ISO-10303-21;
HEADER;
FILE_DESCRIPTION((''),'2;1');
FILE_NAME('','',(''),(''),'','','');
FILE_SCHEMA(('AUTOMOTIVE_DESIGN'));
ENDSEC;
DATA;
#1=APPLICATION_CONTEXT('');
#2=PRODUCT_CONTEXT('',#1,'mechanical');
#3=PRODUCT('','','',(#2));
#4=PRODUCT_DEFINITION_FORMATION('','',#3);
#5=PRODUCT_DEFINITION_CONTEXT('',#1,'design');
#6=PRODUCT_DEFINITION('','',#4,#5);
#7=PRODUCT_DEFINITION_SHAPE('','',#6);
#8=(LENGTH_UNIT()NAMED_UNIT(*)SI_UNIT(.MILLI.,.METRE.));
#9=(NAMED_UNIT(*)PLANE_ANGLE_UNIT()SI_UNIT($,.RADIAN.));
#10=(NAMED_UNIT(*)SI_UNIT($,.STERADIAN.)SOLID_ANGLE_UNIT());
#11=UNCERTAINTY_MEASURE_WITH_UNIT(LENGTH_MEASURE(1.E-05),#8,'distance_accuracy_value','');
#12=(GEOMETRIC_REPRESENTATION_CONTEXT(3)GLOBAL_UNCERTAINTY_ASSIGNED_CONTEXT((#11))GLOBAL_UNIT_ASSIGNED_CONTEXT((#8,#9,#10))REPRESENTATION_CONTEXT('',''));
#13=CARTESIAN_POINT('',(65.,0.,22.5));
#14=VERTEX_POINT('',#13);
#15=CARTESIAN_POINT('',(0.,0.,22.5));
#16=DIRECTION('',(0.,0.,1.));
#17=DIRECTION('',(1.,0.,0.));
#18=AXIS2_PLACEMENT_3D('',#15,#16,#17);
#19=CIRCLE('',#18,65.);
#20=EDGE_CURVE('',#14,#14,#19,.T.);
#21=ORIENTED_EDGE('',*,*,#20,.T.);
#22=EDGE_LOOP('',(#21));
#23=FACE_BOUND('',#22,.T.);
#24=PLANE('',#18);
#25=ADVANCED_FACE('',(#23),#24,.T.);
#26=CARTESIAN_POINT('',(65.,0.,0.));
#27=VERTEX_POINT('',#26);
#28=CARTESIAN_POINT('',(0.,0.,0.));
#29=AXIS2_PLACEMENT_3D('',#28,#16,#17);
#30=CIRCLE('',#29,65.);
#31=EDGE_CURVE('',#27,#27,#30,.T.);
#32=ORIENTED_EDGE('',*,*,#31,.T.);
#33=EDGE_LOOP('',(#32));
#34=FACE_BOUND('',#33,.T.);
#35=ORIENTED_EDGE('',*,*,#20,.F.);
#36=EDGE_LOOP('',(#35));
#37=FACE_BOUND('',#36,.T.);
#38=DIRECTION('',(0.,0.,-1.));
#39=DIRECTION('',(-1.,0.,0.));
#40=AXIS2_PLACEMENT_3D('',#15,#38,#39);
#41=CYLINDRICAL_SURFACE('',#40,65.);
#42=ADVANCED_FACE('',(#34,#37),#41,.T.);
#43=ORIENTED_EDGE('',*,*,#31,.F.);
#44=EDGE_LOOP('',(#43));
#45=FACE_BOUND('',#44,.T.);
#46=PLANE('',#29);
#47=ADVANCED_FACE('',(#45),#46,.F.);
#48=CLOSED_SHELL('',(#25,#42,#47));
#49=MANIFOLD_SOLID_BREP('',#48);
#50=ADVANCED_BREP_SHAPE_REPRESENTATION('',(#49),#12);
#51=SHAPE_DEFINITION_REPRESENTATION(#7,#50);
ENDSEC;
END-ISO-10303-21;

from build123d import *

# Parameters (mm, degrees)
SKETCH1_R           = 65
BOSS_EXTRUDE1_DEPTH = 22.5


with BuildPart() as part:
    # Sketch1 → Boss-Extrude1 (new body)
    with BuildSketch(Plane.XY):
        Circle(SKETCH1_R)
    extrude(amount=BOSS_EXTRUDE1_DEPTH)


solid = part.part
